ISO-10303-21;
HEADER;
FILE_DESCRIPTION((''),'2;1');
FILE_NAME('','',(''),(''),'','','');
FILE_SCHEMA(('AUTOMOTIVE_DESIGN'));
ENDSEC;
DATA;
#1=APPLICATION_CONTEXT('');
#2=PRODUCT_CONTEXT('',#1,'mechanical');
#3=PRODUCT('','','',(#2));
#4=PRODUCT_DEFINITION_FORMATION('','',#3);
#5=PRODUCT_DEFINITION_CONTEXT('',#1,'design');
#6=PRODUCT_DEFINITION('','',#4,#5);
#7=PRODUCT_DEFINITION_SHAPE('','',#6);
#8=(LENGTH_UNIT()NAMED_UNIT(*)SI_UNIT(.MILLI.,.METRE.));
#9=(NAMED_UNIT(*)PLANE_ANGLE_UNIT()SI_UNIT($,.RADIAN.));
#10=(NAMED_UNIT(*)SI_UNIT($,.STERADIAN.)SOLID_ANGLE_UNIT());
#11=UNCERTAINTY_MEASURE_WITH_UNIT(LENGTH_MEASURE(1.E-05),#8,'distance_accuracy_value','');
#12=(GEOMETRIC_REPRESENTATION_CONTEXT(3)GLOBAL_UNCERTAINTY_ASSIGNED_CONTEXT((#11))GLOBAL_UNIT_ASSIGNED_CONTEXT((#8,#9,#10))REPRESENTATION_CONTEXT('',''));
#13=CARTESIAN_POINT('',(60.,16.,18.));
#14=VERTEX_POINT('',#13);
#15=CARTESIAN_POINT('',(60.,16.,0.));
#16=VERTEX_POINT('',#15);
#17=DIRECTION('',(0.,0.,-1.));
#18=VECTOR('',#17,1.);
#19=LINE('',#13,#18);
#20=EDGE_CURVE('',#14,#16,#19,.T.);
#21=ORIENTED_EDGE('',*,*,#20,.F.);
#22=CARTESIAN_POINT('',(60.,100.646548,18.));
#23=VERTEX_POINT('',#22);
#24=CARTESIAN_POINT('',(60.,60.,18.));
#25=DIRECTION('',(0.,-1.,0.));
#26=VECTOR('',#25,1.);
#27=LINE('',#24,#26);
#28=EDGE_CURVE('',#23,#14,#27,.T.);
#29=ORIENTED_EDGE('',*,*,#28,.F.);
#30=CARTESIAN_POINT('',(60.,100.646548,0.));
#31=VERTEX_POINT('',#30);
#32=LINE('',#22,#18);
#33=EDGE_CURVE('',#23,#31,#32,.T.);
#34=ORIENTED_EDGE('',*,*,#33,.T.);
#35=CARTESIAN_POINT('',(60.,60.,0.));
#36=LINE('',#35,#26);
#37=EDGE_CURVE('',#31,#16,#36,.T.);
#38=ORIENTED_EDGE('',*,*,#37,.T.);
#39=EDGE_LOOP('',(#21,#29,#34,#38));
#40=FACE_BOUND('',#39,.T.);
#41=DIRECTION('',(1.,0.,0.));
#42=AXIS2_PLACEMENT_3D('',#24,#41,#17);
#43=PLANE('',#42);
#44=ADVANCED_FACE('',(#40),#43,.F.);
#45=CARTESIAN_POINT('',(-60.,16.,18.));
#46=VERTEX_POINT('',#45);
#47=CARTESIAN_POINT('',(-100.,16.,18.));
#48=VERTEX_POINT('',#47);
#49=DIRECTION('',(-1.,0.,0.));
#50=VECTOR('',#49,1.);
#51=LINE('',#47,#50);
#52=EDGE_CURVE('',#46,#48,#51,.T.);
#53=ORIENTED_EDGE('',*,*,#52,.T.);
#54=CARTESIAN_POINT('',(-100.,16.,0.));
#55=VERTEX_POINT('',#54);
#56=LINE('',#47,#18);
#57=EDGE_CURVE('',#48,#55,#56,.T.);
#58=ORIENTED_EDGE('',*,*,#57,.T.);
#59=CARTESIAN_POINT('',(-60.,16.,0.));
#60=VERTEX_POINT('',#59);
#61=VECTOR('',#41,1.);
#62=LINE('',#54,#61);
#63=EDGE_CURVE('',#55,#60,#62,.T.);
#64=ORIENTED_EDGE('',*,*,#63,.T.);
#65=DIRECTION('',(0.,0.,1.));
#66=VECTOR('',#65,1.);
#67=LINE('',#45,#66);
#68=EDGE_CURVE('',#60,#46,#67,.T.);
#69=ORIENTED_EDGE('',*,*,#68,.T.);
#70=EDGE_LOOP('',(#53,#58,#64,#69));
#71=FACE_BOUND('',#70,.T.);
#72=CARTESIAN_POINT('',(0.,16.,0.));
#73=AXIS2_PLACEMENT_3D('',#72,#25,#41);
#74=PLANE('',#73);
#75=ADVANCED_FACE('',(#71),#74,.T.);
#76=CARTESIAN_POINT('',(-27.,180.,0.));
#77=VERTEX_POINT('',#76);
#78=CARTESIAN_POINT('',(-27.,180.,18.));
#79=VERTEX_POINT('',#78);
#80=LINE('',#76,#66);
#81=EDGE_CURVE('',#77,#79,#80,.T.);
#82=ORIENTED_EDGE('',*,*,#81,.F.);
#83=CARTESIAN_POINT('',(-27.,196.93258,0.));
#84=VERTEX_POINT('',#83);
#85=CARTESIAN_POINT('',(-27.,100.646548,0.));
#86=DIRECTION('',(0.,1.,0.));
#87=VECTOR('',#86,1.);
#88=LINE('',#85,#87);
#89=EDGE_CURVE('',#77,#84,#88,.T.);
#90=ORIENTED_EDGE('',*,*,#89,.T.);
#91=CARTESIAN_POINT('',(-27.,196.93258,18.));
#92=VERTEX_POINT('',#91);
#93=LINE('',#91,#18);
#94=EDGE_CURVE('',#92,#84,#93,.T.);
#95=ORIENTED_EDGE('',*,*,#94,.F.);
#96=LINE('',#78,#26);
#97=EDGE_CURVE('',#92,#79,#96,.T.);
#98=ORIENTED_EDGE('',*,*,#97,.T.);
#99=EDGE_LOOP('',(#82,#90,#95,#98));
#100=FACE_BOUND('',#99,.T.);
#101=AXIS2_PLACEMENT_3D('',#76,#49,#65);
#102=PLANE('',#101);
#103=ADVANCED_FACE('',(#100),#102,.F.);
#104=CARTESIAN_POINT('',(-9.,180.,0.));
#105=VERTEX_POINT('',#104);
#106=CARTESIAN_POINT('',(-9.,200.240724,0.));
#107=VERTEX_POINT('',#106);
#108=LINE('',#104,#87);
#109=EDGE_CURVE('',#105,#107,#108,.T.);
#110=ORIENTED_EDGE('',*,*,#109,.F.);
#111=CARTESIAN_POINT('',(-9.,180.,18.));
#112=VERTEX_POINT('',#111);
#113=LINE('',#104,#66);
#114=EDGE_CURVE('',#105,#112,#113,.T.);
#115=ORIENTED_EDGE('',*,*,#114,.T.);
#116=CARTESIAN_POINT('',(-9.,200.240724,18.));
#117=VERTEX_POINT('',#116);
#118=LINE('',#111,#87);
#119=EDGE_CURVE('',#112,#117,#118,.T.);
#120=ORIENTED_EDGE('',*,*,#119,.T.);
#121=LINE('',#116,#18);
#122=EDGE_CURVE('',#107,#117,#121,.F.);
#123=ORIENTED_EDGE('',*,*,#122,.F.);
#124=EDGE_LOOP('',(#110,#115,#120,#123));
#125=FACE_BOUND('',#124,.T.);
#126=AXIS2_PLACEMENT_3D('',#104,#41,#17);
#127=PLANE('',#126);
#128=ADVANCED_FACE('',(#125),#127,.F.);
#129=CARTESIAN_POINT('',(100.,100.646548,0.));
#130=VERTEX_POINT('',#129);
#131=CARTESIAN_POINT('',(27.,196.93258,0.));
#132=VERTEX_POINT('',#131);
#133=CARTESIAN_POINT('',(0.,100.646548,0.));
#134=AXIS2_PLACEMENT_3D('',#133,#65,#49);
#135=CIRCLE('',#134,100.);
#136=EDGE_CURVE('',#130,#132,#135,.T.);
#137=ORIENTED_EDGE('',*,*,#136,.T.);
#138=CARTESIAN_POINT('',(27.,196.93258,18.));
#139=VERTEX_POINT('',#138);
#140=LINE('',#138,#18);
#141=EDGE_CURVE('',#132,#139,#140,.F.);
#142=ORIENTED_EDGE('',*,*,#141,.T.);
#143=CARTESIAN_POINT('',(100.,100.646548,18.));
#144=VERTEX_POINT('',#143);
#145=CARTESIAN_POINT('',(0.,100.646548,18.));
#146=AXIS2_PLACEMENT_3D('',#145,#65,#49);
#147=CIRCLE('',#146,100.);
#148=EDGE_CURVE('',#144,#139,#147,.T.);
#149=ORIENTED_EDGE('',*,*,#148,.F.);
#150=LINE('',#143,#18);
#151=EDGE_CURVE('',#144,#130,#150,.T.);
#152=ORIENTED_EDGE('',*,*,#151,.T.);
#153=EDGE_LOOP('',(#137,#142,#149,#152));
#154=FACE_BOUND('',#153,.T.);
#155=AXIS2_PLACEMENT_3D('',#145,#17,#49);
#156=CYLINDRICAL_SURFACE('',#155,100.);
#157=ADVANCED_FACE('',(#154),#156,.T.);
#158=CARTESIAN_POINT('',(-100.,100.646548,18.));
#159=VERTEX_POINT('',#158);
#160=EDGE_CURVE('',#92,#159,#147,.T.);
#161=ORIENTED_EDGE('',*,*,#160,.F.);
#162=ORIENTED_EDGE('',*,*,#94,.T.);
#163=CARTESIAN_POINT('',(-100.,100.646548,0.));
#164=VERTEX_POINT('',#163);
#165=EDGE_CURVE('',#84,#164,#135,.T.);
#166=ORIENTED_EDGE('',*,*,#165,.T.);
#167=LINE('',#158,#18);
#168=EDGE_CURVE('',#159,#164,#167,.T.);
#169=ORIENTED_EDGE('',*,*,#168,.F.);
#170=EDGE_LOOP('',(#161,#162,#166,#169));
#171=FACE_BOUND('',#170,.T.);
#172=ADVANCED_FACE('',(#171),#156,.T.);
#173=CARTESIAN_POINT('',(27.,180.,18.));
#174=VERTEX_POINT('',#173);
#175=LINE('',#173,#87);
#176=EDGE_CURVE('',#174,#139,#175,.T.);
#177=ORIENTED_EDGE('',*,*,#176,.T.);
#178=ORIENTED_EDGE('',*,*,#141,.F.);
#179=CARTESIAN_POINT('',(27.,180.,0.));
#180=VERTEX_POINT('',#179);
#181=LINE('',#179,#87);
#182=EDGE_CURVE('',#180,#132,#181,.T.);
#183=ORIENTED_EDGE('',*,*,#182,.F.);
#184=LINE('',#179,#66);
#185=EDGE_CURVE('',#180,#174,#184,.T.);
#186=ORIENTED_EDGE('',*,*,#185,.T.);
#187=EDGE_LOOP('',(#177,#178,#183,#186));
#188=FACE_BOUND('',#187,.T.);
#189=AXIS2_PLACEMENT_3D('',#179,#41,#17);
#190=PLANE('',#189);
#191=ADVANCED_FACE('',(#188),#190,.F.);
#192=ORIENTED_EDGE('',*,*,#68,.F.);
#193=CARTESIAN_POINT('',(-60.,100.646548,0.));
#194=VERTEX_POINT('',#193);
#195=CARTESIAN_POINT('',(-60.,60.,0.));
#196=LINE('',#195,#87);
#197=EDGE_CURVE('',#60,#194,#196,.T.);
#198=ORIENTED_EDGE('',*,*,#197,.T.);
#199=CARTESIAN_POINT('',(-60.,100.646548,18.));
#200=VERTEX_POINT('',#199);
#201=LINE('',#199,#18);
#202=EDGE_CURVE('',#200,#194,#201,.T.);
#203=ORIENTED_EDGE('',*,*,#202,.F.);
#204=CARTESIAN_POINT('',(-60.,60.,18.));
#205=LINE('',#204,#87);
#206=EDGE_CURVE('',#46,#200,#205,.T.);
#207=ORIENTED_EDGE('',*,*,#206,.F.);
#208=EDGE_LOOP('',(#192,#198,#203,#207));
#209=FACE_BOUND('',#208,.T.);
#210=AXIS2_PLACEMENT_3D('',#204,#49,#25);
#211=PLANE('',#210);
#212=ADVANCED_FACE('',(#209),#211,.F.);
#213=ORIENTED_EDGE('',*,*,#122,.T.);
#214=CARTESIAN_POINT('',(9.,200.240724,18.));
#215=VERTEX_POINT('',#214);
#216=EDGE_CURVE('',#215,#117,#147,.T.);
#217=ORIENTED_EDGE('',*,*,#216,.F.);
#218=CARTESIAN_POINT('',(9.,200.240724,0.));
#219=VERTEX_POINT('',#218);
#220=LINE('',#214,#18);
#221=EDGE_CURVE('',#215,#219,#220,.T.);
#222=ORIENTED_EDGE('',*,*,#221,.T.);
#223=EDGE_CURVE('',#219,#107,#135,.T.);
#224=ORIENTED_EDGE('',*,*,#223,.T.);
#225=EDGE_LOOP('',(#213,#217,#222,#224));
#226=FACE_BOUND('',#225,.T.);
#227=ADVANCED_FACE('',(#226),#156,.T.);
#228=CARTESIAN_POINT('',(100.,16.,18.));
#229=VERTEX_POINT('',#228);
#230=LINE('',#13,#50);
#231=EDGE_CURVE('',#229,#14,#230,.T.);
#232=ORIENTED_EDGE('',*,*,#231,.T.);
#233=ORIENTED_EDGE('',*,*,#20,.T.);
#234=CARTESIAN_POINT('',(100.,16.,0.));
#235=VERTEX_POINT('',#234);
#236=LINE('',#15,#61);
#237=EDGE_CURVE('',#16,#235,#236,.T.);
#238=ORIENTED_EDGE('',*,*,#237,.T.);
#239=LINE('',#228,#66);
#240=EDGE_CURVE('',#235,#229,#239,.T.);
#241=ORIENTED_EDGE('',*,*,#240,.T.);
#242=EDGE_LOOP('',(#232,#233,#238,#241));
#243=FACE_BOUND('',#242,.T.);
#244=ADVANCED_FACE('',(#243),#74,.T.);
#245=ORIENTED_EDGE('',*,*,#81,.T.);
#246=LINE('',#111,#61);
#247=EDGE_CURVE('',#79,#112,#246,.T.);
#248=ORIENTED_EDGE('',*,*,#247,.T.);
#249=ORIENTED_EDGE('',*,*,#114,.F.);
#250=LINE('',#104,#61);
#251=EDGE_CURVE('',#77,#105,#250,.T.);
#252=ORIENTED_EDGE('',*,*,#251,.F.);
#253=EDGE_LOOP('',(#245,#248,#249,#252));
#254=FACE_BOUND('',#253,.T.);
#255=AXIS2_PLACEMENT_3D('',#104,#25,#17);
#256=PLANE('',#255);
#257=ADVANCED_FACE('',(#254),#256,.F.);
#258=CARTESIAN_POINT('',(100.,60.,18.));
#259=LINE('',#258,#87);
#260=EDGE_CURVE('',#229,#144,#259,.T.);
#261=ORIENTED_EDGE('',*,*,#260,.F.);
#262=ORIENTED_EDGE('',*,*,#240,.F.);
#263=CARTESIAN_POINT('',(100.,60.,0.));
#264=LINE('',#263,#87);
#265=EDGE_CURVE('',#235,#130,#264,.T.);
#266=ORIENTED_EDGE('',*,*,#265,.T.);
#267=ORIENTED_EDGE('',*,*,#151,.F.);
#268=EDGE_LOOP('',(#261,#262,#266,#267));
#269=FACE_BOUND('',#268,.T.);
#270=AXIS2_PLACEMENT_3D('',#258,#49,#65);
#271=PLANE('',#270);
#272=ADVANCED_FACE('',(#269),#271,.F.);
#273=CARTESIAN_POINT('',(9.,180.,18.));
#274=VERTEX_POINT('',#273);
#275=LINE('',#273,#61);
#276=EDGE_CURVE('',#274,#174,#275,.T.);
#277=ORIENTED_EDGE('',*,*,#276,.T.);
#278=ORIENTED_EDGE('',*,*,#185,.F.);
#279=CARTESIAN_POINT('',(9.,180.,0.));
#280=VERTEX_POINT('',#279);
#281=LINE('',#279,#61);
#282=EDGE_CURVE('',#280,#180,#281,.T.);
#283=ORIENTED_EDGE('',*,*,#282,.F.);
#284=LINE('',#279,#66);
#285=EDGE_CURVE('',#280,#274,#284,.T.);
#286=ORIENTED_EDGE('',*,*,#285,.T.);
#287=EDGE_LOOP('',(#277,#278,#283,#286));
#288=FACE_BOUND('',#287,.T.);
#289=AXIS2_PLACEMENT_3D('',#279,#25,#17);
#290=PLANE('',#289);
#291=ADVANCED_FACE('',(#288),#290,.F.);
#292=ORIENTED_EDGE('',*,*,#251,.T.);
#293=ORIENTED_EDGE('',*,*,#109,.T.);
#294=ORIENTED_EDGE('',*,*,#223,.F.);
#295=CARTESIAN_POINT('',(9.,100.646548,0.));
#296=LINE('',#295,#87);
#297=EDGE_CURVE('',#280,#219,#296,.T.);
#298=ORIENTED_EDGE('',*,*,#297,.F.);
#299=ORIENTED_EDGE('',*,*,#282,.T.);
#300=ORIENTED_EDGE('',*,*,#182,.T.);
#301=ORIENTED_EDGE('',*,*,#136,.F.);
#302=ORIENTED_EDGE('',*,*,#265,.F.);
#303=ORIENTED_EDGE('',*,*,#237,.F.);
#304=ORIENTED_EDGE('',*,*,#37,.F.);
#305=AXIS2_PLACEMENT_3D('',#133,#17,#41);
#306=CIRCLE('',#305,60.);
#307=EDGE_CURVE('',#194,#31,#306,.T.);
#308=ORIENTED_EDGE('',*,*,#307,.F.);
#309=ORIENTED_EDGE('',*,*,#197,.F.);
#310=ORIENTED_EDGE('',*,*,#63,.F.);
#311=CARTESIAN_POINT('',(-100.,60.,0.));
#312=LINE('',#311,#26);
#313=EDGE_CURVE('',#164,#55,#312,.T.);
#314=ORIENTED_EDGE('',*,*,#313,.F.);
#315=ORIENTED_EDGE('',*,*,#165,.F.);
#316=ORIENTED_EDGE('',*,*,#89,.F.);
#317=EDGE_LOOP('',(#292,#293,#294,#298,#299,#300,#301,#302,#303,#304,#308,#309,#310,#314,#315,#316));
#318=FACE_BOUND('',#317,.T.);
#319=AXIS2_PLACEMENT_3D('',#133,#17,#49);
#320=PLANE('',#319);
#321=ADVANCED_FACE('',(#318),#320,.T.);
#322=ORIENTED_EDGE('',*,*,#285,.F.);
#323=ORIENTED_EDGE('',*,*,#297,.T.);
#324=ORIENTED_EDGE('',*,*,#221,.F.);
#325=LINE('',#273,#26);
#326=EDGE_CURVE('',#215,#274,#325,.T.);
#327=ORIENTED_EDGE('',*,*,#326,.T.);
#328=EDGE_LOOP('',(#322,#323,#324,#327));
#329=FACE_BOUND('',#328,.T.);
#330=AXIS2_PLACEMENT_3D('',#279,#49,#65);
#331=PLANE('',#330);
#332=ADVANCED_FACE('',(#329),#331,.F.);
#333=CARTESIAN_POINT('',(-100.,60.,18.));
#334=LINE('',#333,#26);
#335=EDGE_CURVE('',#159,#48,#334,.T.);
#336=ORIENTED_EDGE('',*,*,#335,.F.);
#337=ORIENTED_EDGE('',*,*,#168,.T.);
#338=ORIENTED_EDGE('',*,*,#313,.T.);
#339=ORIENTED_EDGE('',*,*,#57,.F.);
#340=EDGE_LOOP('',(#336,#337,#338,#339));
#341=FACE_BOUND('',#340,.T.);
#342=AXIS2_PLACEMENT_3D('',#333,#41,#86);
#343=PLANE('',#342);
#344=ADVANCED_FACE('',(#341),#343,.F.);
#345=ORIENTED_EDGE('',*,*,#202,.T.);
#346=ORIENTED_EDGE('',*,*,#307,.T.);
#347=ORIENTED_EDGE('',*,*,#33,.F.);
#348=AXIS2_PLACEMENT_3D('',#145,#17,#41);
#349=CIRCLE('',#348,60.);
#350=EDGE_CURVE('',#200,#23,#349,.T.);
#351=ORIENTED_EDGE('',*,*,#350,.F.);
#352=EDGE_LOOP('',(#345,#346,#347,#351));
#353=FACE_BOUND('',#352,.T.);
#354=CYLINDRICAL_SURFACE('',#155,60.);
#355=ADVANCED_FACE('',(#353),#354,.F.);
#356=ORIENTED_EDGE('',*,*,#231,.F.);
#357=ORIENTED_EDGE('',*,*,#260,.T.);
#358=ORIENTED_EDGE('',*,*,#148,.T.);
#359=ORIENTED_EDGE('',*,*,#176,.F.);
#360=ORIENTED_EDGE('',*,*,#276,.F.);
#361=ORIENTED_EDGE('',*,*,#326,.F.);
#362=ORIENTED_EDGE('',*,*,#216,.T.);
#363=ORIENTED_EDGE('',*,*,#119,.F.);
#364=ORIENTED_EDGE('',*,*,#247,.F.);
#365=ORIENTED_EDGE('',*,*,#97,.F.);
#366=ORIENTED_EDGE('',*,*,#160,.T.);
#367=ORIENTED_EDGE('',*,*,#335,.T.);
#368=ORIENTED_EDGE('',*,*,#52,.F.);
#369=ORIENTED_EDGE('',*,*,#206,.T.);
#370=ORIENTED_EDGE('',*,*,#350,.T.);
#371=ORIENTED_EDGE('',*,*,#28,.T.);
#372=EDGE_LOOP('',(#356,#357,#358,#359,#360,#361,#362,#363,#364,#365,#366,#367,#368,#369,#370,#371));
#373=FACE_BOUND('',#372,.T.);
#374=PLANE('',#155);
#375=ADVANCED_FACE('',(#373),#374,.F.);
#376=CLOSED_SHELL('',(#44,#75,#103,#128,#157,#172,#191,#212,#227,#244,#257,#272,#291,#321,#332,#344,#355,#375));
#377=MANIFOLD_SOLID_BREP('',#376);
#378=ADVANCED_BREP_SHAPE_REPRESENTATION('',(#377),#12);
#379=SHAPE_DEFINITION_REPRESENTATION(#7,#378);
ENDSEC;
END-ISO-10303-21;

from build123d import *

# Parameters (mm, degrees)
BOSS_EXTRUDE1_DEPTH = 18
SKETCH2_W           = 18
SKETCH2_H           = 46.670060525
CUT_EXTRUDE1_DEPTH  = 19
SKETCH3_W           = 40
SKETCH3_H           = 18
BOSS_EXTRUDE2_DEPTH = 44


with BuildPart() as part:
    # Sketch1 → Boss-Extrude1 (new body)
    with BuildSketch(Plane.XY):
        with BuildLine():
            Line((60, 60), (60, 100.646547639))
            ThreePointArc((60, 100.646547639), (0, 160.646547639), (-60, 100.646547639))
            Line((-60, 100.646547639), (-60, 60))
            Line((-60, 60), (-100, 60))
            Line((-100, 60), (-100, 100.646547639))
            ThreePointArc((-100, 100.646547639), (0, 200.646547639), (100, 100.646547639))
            Line((100, 100.646547639), (100, 60))
            Line((100, 60), (60, 60))
        make_face()
    extrude(amount=BOSS_EXTRUDE1_DEPTH)

    # Sketch2 → Cut-Extrude1 (cut, through all)
    with BuildSketch(Plane.XY.offset(18)):
        with Locations((18, 203.335030263)):
            Rectangle(SKETCH2_W, SKETCH2_H)
        with Locations((-18, 203.335030263)):
            Rectangle(SKETCH2_W, SKETCH2_H)
    extrude(amount=-CUT_EXTRUDE1_DEPTH, mode=Mode.SUBTRACT)

    # Sketch3 → Boss-Extrude2 (add)
    with BuildSketch(Plane.XZ.offset(-60)):
        with Locations((-80, 9)):
            Rectangle(SKETCH3_W, SKETCH3_H)
        with Locations((80, 9)):
            Rectangle(SKETCH3_W, SKETCH3_H)
    extrude(amount=BOSS_EXTRUDE2_DEPTH)


solid = part.part
